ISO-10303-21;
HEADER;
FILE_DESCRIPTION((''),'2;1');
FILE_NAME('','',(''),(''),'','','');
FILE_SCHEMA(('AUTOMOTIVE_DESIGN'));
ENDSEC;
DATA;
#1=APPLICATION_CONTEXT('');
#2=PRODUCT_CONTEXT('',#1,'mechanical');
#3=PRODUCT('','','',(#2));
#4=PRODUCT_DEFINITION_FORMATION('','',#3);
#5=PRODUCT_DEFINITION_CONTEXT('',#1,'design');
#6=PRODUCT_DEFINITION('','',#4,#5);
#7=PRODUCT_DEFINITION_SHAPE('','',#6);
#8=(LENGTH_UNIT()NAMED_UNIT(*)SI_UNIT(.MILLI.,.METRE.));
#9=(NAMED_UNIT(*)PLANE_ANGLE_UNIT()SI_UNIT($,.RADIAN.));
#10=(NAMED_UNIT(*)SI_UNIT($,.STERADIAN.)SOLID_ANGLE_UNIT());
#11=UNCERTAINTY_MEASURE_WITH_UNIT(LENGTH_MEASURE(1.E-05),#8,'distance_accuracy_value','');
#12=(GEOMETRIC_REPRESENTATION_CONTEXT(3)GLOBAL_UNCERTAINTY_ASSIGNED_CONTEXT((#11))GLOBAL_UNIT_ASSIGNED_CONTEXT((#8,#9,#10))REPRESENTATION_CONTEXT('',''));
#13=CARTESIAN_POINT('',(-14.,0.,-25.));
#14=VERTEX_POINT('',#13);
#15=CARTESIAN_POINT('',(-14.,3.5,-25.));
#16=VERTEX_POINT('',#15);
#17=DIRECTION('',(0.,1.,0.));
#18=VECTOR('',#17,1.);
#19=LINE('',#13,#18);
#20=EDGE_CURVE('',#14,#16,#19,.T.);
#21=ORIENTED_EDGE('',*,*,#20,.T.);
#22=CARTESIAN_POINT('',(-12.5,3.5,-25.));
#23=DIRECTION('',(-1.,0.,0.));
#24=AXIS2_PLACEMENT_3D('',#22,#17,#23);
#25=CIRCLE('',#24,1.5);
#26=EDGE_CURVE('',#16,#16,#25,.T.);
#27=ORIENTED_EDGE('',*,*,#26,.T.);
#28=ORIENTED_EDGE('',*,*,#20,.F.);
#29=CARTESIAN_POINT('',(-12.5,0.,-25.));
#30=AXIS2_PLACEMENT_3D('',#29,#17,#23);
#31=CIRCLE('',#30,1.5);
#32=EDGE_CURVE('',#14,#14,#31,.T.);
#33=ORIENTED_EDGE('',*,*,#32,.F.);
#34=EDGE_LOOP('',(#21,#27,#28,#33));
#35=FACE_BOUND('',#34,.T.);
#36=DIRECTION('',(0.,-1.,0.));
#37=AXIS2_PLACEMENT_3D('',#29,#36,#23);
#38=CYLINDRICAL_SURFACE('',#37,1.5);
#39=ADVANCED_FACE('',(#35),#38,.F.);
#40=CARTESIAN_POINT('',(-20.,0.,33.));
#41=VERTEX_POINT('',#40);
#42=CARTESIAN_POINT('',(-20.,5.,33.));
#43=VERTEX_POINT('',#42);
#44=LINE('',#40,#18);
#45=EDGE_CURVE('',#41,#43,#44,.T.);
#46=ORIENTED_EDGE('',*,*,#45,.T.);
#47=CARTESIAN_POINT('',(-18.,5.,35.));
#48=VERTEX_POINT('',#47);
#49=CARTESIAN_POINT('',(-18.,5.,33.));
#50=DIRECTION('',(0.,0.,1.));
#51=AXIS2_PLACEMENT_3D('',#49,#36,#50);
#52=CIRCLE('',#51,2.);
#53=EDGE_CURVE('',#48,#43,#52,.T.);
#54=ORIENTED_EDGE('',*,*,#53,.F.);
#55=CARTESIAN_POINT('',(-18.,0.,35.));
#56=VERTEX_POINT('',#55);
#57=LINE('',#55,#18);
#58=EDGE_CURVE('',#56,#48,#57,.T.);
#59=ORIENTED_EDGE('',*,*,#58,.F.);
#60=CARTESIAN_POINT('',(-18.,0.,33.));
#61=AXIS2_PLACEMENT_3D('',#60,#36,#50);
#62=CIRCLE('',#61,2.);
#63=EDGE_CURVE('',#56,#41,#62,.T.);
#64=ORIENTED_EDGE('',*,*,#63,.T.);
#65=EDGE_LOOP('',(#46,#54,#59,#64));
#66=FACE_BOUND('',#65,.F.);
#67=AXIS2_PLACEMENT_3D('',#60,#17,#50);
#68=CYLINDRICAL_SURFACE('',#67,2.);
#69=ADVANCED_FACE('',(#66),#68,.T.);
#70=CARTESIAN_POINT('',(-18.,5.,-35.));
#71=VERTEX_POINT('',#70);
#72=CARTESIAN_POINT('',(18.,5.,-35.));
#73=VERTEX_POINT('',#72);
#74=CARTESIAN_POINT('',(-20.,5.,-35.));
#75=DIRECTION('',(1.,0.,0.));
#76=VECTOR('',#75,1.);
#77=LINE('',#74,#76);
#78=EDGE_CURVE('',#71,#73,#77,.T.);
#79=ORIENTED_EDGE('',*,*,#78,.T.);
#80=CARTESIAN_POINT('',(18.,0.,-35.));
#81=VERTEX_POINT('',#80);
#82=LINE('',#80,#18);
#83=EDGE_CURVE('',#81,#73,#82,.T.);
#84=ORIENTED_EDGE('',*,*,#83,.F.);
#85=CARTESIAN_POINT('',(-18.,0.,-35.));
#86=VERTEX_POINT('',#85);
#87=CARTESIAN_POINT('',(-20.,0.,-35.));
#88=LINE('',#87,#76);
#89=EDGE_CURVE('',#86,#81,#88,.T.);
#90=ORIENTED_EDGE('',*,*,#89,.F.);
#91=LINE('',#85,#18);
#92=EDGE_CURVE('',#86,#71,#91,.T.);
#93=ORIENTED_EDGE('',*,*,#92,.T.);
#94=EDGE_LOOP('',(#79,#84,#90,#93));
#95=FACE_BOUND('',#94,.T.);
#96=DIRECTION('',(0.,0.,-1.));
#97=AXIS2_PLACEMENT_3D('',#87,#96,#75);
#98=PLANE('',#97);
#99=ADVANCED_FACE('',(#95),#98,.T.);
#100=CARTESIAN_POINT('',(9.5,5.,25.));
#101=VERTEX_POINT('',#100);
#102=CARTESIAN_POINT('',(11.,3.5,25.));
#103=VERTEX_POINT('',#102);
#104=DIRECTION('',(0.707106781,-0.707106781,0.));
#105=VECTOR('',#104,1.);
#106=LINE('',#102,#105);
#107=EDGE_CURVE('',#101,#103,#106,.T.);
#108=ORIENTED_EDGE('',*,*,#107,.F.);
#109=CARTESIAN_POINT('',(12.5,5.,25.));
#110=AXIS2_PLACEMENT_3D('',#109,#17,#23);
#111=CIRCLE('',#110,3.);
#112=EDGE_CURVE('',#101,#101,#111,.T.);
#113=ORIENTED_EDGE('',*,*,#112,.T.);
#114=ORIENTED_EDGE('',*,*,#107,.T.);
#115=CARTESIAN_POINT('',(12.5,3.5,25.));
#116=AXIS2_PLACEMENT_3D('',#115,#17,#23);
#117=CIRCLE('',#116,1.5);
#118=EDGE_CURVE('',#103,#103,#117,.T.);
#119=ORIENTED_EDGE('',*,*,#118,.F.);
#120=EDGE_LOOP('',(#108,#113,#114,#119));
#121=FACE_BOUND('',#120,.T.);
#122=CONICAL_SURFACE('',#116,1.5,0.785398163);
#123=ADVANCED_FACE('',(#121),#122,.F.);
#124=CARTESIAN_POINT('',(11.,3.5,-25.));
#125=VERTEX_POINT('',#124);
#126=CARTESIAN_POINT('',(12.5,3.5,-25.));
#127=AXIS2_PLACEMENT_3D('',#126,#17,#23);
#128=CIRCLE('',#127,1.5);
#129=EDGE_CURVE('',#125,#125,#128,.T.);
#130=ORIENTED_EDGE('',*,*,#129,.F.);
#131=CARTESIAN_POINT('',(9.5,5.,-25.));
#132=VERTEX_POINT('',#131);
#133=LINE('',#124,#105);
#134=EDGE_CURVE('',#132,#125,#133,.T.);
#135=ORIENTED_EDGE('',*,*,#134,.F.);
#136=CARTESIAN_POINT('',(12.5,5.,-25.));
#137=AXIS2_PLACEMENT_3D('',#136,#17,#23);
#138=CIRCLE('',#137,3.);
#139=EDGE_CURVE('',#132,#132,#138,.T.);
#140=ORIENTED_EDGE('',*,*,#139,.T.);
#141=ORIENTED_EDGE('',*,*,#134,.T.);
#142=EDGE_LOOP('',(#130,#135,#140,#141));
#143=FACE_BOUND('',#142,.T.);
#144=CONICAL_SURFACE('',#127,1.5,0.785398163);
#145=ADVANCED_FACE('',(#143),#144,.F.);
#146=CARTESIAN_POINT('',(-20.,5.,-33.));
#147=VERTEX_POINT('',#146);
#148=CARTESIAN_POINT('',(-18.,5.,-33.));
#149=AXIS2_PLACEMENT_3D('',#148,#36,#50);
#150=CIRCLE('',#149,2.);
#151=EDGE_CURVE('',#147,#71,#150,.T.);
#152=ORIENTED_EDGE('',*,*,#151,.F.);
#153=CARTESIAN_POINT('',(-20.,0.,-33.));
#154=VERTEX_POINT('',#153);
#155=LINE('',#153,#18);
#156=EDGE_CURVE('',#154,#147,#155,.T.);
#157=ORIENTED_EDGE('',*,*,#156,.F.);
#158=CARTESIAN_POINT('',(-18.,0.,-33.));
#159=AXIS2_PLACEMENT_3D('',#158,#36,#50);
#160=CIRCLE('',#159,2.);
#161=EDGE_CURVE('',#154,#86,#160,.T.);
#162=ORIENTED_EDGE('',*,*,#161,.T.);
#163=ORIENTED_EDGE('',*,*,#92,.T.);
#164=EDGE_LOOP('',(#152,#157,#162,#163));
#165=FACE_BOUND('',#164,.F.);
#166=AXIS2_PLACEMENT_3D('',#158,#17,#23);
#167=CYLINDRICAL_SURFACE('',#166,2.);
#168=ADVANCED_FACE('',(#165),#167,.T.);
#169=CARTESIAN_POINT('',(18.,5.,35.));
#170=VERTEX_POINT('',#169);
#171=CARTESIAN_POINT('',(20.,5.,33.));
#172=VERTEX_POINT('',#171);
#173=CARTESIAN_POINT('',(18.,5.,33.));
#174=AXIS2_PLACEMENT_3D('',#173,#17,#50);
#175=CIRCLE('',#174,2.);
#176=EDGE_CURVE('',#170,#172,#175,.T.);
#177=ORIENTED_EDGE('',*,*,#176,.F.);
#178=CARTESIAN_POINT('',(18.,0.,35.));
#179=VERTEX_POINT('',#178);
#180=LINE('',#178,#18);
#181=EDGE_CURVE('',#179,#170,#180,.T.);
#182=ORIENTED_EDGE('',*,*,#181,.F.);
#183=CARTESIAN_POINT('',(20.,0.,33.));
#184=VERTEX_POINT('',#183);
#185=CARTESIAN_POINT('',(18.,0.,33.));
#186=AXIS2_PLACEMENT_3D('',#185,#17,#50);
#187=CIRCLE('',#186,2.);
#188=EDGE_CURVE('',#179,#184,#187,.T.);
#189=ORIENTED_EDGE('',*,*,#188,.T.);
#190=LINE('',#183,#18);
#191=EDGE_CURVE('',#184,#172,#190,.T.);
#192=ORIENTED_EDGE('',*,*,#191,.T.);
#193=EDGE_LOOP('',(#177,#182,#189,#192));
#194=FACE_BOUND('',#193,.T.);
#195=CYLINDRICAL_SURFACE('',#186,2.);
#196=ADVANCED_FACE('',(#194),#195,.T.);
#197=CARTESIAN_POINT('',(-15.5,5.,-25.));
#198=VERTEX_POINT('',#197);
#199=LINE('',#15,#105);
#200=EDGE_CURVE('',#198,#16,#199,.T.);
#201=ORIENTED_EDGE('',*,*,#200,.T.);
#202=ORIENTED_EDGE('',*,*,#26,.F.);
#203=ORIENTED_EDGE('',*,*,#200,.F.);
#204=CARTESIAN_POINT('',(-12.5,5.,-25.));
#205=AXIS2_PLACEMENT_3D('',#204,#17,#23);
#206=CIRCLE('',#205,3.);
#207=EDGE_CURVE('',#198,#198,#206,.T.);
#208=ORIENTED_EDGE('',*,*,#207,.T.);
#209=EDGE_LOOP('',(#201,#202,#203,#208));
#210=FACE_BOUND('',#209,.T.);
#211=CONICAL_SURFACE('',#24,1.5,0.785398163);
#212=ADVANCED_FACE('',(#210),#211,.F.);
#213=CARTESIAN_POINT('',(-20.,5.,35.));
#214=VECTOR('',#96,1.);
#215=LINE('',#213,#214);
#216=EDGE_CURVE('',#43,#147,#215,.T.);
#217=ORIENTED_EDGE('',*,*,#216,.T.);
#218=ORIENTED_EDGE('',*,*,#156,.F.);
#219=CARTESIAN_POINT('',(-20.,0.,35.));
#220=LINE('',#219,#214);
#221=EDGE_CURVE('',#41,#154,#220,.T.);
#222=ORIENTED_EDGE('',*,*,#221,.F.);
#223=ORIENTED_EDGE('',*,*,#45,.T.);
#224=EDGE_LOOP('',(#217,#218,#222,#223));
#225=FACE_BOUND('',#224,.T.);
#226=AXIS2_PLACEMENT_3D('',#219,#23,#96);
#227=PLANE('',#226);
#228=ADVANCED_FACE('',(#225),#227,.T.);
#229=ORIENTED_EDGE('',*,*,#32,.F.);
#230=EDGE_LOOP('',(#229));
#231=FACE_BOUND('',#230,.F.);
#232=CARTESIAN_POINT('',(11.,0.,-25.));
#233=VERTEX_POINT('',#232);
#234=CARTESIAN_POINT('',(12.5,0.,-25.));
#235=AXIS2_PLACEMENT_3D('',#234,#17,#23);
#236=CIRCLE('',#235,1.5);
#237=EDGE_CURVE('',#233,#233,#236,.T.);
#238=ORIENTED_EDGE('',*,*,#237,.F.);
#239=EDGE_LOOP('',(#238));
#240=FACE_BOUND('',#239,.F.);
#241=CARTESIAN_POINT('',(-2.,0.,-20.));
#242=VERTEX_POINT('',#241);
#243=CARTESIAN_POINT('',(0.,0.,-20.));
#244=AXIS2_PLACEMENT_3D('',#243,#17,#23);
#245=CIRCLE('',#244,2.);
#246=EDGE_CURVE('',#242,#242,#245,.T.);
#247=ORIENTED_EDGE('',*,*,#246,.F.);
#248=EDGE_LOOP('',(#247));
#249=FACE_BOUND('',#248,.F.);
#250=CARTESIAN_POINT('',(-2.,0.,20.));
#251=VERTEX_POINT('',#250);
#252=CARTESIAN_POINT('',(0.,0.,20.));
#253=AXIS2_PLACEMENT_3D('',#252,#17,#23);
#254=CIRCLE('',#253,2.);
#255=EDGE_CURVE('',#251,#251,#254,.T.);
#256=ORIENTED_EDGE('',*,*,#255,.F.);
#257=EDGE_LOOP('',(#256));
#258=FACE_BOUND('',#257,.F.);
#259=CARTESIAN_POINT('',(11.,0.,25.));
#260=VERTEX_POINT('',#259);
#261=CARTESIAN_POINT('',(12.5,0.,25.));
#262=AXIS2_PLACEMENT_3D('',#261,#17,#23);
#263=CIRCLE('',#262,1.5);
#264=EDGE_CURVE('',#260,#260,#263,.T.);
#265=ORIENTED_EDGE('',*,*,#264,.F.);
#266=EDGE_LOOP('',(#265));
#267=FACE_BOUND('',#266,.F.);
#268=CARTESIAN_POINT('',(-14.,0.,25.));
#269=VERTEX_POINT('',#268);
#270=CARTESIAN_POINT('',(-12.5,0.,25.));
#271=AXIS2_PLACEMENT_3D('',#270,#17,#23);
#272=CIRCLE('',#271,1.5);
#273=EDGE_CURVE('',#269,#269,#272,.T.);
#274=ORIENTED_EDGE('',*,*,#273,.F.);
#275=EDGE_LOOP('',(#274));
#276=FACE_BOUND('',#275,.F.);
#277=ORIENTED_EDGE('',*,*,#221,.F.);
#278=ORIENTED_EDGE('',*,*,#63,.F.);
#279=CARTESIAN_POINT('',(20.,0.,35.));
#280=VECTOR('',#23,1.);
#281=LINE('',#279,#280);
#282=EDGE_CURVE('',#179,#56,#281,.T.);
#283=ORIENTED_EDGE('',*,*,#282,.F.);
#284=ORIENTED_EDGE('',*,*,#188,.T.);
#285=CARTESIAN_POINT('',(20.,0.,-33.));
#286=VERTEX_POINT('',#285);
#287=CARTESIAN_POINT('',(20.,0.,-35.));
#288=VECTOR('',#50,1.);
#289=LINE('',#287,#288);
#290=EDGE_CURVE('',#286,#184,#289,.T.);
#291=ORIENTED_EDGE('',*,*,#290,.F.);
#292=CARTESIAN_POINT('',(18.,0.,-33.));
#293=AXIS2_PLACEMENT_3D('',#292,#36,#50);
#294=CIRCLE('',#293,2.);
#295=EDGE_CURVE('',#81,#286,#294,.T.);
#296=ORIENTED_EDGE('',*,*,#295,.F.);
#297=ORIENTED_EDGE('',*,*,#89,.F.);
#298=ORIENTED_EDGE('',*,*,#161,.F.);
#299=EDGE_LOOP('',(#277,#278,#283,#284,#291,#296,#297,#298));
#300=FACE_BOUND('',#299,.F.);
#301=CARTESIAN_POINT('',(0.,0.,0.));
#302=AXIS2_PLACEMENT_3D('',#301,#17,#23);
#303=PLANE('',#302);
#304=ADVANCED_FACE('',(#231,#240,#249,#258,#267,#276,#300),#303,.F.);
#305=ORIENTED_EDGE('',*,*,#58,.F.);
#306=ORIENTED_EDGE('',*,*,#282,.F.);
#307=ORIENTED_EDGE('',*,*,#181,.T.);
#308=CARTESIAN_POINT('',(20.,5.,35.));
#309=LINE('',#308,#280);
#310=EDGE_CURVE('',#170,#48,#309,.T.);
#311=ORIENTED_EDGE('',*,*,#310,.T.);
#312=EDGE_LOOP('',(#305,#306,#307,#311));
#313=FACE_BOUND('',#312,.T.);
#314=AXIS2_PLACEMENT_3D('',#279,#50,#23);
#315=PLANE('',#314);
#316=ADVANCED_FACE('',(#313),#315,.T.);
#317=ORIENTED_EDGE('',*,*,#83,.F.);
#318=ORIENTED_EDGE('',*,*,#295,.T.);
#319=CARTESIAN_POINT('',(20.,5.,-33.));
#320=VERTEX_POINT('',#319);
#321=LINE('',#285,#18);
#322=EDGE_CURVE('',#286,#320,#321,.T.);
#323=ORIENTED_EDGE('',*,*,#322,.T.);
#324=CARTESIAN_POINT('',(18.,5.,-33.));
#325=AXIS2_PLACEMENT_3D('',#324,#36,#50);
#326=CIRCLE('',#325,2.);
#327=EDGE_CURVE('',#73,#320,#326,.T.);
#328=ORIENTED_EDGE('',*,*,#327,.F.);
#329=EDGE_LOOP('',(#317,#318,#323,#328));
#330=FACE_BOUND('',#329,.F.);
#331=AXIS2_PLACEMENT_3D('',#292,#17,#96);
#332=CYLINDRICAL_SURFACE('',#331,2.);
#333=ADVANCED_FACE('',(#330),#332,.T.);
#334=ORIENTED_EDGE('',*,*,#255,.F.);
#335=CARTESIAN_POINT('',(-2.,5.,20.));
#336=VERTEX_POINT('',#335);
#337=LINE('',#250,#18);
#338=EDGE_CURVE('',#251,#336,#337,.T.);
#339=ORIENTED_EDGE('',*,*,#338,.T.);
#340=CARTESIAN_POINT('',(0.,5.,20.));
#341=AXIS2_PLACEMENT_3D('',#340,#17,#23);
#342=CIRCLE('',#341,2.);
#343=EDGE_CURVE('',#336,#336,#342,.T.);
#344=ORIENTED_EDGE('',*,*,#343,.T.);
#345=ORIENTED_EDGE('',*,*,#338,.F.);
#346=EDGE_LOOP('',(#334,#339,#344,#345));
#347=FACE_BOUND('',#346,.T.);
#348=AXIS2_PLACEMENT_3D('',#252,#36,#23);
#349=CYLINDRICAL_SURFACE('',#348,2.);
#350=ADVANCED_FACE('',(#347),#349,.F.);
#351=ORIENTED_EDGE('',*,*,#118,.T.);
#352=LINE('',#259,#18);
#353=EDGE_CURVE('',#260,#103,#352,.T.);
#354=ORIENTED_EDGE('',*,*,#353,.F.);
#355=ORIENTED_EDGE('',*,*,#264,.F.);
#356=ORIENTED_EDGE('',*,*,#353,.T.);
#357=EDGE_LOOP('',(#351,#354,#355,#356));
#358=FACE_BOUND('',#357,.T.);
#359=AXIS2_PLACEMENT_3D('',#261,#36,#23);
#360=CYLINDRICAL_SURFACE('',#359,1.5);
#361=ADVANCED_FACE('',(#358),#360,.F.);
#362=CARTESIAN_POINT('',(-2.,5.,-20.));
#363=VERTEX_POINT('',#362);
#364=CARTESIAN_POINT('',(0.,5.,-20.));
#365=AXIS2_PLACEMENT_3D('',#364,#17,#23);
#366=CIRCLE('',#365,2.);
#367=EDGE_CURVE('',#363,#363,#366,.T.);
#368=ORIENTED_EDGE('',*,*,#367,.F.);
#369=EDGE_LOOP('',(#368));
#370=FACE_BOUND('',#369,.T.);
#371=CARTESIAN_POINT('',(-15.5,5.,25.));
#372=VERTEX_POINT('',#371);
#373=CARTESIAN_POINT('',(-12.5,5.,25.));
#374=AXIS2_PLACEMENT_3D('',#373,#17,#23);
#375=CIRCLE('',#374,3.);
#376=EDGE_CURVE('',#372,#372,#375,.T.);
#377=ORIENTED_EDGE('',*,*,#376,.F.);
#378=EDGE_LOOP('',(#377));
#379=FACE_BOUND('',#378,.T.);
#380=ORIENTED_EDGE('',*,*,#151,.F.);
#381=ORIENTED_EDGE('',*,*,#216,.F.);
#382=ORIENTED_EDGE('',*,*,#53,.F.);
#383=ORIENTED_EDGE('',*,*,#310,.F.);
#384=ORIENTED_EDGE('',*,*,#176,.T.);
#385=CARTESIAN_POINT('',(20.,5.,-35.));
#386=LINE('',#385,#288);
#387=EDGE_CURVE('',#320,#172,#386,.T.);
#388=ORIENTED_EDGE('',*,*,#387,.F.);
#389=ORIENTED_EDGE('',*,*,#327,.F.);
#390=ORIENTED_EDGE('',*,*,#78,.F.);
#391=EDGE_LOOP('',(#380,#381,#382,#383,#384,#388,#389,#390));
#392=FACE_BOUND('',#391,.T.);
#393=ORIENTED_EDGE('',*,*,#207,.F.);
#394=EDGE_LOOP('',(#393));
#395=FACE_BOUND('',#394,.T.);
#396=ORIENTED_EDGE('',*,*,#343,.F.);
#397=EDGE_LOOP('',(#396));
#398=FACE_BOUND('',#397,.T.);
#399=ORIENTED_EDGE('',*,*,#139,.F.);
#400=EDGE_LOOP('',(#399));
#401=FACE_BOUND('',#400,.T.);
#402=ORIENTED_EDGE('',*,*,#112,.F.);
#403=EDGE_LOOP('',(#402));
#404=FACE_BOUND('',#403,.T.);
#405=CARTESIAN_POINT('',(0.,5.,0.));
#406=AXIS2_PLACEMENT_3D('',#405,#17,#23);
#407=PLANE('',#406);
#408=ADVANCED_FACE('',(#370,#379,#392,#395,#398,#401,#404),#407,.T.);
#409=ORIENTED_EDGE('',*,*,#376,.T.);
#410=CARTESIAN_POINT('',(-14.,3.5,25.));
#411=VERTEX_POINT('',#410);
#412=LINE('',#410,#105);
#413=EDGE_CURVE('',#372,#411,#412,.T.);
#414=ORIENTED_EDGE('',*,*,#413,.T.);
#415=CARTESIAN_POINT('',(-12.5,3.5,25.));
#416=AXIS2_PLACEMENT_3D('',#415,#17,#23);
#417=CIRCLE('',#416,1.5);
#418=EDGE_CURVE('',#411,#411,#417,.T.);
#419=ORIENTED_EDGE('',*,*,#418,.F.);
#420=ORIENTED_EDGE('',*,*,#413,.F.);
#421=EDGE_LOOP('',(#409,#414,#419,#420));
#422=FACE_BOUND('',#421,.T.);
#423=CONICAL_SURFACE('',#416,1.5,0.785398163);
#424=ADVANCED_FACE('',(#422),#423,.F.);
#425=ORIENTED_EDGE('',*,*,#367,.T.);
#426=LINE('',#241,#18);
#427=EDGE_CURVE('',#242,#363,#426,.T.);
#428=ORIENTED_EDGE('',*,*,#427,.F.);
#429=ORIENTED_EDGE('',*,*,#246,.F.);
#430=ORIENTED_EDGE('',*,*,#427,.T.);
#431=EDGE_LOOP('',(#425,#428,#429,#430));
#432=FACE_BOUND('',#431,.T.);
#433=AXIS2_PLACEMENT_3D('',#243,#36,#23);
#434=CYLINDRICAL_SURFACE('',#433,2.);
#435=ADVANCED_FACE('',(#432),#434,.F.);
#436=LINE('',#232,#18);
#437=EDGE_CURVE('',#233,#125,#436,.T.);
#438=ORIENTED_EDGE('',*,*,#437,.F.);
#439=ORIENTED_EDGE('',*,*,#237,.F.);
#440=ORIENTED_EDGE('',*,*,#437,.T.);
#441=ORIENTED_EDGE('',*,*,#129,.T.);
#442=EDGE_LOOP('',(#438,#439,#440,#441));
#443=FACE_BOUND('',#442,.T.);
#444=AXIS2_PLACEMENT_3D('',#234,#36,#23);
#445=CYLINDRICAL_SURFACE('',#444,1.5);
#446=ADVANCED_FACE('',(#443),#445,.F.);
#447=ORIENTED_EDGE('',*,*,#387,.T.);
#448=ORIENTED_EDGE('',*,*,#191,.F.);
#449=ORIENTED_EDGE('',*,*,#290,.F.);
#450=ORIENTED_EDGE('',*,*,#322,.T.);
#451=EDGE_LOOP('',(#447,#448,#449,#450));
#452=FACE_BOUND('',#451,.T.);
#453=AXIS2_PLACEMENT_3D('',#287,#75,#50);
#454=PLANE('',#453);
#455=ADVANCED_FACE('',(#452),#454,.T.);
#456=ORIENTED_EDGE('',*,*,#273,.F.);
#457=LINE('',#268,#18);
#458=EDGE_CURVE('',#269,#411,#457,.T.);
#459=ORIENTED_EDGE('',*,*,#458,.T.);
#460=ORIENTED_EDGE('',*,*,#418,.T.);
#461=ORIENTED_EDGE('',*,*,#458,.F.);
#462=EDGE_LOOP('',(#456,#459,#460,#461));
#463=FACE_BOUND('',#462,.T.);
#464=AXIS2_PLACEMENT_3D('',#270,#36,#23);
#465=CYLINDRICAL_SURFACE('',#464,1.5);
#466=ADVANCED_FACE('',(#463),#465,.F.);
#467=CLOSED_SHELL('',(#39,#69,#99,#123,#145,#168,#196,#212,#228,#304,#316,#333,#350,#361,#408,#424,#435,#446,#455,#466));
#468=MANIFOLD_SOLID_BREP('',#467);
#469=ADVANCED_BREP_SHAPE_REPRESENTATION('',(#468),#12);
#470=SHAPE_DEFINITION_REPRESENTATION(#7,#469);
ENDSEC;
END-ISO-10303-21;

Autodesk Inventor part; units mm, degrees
ref_plane "YZ Plane" through (0, 0, 0) normal (1, 0, 0) x (0, 1, 0)
ref_plane "XZ Plane" through (0, 0, 0) normal (0, 1, 0) x (-1, 0, 0)
ref_plane "XY Plane" through (0, 0, 0) normal (0, 0, 1) x (1, 0, 0)
sketch "Sketch1" plane through (0, 0, 0) normal (0, 1, 0) x (-1, 0, 0)
  line L0 (-20, 35) -> (20, 35)
  line L1 (20, 35) -> (20, -35)
  line L2 (20, -35) -> (-20, -35)
  line L3 (-20, -35) -> (-20, 35)
  line L4 (-20, 35) -> (20, -35) construction
  line L5 (20, 35) -> (-20, -35) construction
  circle A0 centre (0, 20) radius 2
  circle A1 centre (0, -20) radius 2
  line L6 (-12.5, 25) -> (12.5, 25) construction
  line L7 (12.5, 25) -> (12.5, -25) construction
  line L8 (12.5, -25) -> (-12.5, -25) construction
  line L9 (-12.5, -25) -> (-12.5, 25) construction
  line L10 (-12.5, 25) -> (12.5, -25) construction
  line L11 (12.5, 25) -> (-12.5, -25) construction
  circle A2 centre (12.5, -25) radius 5 construction
  circle A3 centre (12.5, -25) radius 1.5
  circle A4 centre (12.5, 25) radius 1.5
  circle A5 centre (-12.5, 25) radius 1.5
  circle A6 centre (-12.5, -25) radius 1.5
  point P0 (0, 0)
  dimension "d0" = 4
  dimension "d1" = 4
  dimension "d2" = 40
  dimension "d3" = 20
  dimension "d4" = 70
  dimension "d5" = 40
  dimension "d6" = 25
  dimension "d7" = 50
  dimension "d8" = 10
  dimension "d9" = 3
  dimension "d10" = 3
  dimension "d11" = 3
  dimension "d12" = 3
extrude "Extrusion1" add sketch "Sketch1" along normal blind 5
fillet "Fillet1" radius 2 4 edges at (20, 2.5, 35) (20, 2.5, -35) (-20, 2.5, -35) (-20, 2.5, 35)
chamfer "Chamfer1" distance 1.5 angle 45 4 edges at (-11, 5, 25) (14, 5, 25) (-11, 5, -25) (14, 5, -25)
properties part number "Encoder base"
